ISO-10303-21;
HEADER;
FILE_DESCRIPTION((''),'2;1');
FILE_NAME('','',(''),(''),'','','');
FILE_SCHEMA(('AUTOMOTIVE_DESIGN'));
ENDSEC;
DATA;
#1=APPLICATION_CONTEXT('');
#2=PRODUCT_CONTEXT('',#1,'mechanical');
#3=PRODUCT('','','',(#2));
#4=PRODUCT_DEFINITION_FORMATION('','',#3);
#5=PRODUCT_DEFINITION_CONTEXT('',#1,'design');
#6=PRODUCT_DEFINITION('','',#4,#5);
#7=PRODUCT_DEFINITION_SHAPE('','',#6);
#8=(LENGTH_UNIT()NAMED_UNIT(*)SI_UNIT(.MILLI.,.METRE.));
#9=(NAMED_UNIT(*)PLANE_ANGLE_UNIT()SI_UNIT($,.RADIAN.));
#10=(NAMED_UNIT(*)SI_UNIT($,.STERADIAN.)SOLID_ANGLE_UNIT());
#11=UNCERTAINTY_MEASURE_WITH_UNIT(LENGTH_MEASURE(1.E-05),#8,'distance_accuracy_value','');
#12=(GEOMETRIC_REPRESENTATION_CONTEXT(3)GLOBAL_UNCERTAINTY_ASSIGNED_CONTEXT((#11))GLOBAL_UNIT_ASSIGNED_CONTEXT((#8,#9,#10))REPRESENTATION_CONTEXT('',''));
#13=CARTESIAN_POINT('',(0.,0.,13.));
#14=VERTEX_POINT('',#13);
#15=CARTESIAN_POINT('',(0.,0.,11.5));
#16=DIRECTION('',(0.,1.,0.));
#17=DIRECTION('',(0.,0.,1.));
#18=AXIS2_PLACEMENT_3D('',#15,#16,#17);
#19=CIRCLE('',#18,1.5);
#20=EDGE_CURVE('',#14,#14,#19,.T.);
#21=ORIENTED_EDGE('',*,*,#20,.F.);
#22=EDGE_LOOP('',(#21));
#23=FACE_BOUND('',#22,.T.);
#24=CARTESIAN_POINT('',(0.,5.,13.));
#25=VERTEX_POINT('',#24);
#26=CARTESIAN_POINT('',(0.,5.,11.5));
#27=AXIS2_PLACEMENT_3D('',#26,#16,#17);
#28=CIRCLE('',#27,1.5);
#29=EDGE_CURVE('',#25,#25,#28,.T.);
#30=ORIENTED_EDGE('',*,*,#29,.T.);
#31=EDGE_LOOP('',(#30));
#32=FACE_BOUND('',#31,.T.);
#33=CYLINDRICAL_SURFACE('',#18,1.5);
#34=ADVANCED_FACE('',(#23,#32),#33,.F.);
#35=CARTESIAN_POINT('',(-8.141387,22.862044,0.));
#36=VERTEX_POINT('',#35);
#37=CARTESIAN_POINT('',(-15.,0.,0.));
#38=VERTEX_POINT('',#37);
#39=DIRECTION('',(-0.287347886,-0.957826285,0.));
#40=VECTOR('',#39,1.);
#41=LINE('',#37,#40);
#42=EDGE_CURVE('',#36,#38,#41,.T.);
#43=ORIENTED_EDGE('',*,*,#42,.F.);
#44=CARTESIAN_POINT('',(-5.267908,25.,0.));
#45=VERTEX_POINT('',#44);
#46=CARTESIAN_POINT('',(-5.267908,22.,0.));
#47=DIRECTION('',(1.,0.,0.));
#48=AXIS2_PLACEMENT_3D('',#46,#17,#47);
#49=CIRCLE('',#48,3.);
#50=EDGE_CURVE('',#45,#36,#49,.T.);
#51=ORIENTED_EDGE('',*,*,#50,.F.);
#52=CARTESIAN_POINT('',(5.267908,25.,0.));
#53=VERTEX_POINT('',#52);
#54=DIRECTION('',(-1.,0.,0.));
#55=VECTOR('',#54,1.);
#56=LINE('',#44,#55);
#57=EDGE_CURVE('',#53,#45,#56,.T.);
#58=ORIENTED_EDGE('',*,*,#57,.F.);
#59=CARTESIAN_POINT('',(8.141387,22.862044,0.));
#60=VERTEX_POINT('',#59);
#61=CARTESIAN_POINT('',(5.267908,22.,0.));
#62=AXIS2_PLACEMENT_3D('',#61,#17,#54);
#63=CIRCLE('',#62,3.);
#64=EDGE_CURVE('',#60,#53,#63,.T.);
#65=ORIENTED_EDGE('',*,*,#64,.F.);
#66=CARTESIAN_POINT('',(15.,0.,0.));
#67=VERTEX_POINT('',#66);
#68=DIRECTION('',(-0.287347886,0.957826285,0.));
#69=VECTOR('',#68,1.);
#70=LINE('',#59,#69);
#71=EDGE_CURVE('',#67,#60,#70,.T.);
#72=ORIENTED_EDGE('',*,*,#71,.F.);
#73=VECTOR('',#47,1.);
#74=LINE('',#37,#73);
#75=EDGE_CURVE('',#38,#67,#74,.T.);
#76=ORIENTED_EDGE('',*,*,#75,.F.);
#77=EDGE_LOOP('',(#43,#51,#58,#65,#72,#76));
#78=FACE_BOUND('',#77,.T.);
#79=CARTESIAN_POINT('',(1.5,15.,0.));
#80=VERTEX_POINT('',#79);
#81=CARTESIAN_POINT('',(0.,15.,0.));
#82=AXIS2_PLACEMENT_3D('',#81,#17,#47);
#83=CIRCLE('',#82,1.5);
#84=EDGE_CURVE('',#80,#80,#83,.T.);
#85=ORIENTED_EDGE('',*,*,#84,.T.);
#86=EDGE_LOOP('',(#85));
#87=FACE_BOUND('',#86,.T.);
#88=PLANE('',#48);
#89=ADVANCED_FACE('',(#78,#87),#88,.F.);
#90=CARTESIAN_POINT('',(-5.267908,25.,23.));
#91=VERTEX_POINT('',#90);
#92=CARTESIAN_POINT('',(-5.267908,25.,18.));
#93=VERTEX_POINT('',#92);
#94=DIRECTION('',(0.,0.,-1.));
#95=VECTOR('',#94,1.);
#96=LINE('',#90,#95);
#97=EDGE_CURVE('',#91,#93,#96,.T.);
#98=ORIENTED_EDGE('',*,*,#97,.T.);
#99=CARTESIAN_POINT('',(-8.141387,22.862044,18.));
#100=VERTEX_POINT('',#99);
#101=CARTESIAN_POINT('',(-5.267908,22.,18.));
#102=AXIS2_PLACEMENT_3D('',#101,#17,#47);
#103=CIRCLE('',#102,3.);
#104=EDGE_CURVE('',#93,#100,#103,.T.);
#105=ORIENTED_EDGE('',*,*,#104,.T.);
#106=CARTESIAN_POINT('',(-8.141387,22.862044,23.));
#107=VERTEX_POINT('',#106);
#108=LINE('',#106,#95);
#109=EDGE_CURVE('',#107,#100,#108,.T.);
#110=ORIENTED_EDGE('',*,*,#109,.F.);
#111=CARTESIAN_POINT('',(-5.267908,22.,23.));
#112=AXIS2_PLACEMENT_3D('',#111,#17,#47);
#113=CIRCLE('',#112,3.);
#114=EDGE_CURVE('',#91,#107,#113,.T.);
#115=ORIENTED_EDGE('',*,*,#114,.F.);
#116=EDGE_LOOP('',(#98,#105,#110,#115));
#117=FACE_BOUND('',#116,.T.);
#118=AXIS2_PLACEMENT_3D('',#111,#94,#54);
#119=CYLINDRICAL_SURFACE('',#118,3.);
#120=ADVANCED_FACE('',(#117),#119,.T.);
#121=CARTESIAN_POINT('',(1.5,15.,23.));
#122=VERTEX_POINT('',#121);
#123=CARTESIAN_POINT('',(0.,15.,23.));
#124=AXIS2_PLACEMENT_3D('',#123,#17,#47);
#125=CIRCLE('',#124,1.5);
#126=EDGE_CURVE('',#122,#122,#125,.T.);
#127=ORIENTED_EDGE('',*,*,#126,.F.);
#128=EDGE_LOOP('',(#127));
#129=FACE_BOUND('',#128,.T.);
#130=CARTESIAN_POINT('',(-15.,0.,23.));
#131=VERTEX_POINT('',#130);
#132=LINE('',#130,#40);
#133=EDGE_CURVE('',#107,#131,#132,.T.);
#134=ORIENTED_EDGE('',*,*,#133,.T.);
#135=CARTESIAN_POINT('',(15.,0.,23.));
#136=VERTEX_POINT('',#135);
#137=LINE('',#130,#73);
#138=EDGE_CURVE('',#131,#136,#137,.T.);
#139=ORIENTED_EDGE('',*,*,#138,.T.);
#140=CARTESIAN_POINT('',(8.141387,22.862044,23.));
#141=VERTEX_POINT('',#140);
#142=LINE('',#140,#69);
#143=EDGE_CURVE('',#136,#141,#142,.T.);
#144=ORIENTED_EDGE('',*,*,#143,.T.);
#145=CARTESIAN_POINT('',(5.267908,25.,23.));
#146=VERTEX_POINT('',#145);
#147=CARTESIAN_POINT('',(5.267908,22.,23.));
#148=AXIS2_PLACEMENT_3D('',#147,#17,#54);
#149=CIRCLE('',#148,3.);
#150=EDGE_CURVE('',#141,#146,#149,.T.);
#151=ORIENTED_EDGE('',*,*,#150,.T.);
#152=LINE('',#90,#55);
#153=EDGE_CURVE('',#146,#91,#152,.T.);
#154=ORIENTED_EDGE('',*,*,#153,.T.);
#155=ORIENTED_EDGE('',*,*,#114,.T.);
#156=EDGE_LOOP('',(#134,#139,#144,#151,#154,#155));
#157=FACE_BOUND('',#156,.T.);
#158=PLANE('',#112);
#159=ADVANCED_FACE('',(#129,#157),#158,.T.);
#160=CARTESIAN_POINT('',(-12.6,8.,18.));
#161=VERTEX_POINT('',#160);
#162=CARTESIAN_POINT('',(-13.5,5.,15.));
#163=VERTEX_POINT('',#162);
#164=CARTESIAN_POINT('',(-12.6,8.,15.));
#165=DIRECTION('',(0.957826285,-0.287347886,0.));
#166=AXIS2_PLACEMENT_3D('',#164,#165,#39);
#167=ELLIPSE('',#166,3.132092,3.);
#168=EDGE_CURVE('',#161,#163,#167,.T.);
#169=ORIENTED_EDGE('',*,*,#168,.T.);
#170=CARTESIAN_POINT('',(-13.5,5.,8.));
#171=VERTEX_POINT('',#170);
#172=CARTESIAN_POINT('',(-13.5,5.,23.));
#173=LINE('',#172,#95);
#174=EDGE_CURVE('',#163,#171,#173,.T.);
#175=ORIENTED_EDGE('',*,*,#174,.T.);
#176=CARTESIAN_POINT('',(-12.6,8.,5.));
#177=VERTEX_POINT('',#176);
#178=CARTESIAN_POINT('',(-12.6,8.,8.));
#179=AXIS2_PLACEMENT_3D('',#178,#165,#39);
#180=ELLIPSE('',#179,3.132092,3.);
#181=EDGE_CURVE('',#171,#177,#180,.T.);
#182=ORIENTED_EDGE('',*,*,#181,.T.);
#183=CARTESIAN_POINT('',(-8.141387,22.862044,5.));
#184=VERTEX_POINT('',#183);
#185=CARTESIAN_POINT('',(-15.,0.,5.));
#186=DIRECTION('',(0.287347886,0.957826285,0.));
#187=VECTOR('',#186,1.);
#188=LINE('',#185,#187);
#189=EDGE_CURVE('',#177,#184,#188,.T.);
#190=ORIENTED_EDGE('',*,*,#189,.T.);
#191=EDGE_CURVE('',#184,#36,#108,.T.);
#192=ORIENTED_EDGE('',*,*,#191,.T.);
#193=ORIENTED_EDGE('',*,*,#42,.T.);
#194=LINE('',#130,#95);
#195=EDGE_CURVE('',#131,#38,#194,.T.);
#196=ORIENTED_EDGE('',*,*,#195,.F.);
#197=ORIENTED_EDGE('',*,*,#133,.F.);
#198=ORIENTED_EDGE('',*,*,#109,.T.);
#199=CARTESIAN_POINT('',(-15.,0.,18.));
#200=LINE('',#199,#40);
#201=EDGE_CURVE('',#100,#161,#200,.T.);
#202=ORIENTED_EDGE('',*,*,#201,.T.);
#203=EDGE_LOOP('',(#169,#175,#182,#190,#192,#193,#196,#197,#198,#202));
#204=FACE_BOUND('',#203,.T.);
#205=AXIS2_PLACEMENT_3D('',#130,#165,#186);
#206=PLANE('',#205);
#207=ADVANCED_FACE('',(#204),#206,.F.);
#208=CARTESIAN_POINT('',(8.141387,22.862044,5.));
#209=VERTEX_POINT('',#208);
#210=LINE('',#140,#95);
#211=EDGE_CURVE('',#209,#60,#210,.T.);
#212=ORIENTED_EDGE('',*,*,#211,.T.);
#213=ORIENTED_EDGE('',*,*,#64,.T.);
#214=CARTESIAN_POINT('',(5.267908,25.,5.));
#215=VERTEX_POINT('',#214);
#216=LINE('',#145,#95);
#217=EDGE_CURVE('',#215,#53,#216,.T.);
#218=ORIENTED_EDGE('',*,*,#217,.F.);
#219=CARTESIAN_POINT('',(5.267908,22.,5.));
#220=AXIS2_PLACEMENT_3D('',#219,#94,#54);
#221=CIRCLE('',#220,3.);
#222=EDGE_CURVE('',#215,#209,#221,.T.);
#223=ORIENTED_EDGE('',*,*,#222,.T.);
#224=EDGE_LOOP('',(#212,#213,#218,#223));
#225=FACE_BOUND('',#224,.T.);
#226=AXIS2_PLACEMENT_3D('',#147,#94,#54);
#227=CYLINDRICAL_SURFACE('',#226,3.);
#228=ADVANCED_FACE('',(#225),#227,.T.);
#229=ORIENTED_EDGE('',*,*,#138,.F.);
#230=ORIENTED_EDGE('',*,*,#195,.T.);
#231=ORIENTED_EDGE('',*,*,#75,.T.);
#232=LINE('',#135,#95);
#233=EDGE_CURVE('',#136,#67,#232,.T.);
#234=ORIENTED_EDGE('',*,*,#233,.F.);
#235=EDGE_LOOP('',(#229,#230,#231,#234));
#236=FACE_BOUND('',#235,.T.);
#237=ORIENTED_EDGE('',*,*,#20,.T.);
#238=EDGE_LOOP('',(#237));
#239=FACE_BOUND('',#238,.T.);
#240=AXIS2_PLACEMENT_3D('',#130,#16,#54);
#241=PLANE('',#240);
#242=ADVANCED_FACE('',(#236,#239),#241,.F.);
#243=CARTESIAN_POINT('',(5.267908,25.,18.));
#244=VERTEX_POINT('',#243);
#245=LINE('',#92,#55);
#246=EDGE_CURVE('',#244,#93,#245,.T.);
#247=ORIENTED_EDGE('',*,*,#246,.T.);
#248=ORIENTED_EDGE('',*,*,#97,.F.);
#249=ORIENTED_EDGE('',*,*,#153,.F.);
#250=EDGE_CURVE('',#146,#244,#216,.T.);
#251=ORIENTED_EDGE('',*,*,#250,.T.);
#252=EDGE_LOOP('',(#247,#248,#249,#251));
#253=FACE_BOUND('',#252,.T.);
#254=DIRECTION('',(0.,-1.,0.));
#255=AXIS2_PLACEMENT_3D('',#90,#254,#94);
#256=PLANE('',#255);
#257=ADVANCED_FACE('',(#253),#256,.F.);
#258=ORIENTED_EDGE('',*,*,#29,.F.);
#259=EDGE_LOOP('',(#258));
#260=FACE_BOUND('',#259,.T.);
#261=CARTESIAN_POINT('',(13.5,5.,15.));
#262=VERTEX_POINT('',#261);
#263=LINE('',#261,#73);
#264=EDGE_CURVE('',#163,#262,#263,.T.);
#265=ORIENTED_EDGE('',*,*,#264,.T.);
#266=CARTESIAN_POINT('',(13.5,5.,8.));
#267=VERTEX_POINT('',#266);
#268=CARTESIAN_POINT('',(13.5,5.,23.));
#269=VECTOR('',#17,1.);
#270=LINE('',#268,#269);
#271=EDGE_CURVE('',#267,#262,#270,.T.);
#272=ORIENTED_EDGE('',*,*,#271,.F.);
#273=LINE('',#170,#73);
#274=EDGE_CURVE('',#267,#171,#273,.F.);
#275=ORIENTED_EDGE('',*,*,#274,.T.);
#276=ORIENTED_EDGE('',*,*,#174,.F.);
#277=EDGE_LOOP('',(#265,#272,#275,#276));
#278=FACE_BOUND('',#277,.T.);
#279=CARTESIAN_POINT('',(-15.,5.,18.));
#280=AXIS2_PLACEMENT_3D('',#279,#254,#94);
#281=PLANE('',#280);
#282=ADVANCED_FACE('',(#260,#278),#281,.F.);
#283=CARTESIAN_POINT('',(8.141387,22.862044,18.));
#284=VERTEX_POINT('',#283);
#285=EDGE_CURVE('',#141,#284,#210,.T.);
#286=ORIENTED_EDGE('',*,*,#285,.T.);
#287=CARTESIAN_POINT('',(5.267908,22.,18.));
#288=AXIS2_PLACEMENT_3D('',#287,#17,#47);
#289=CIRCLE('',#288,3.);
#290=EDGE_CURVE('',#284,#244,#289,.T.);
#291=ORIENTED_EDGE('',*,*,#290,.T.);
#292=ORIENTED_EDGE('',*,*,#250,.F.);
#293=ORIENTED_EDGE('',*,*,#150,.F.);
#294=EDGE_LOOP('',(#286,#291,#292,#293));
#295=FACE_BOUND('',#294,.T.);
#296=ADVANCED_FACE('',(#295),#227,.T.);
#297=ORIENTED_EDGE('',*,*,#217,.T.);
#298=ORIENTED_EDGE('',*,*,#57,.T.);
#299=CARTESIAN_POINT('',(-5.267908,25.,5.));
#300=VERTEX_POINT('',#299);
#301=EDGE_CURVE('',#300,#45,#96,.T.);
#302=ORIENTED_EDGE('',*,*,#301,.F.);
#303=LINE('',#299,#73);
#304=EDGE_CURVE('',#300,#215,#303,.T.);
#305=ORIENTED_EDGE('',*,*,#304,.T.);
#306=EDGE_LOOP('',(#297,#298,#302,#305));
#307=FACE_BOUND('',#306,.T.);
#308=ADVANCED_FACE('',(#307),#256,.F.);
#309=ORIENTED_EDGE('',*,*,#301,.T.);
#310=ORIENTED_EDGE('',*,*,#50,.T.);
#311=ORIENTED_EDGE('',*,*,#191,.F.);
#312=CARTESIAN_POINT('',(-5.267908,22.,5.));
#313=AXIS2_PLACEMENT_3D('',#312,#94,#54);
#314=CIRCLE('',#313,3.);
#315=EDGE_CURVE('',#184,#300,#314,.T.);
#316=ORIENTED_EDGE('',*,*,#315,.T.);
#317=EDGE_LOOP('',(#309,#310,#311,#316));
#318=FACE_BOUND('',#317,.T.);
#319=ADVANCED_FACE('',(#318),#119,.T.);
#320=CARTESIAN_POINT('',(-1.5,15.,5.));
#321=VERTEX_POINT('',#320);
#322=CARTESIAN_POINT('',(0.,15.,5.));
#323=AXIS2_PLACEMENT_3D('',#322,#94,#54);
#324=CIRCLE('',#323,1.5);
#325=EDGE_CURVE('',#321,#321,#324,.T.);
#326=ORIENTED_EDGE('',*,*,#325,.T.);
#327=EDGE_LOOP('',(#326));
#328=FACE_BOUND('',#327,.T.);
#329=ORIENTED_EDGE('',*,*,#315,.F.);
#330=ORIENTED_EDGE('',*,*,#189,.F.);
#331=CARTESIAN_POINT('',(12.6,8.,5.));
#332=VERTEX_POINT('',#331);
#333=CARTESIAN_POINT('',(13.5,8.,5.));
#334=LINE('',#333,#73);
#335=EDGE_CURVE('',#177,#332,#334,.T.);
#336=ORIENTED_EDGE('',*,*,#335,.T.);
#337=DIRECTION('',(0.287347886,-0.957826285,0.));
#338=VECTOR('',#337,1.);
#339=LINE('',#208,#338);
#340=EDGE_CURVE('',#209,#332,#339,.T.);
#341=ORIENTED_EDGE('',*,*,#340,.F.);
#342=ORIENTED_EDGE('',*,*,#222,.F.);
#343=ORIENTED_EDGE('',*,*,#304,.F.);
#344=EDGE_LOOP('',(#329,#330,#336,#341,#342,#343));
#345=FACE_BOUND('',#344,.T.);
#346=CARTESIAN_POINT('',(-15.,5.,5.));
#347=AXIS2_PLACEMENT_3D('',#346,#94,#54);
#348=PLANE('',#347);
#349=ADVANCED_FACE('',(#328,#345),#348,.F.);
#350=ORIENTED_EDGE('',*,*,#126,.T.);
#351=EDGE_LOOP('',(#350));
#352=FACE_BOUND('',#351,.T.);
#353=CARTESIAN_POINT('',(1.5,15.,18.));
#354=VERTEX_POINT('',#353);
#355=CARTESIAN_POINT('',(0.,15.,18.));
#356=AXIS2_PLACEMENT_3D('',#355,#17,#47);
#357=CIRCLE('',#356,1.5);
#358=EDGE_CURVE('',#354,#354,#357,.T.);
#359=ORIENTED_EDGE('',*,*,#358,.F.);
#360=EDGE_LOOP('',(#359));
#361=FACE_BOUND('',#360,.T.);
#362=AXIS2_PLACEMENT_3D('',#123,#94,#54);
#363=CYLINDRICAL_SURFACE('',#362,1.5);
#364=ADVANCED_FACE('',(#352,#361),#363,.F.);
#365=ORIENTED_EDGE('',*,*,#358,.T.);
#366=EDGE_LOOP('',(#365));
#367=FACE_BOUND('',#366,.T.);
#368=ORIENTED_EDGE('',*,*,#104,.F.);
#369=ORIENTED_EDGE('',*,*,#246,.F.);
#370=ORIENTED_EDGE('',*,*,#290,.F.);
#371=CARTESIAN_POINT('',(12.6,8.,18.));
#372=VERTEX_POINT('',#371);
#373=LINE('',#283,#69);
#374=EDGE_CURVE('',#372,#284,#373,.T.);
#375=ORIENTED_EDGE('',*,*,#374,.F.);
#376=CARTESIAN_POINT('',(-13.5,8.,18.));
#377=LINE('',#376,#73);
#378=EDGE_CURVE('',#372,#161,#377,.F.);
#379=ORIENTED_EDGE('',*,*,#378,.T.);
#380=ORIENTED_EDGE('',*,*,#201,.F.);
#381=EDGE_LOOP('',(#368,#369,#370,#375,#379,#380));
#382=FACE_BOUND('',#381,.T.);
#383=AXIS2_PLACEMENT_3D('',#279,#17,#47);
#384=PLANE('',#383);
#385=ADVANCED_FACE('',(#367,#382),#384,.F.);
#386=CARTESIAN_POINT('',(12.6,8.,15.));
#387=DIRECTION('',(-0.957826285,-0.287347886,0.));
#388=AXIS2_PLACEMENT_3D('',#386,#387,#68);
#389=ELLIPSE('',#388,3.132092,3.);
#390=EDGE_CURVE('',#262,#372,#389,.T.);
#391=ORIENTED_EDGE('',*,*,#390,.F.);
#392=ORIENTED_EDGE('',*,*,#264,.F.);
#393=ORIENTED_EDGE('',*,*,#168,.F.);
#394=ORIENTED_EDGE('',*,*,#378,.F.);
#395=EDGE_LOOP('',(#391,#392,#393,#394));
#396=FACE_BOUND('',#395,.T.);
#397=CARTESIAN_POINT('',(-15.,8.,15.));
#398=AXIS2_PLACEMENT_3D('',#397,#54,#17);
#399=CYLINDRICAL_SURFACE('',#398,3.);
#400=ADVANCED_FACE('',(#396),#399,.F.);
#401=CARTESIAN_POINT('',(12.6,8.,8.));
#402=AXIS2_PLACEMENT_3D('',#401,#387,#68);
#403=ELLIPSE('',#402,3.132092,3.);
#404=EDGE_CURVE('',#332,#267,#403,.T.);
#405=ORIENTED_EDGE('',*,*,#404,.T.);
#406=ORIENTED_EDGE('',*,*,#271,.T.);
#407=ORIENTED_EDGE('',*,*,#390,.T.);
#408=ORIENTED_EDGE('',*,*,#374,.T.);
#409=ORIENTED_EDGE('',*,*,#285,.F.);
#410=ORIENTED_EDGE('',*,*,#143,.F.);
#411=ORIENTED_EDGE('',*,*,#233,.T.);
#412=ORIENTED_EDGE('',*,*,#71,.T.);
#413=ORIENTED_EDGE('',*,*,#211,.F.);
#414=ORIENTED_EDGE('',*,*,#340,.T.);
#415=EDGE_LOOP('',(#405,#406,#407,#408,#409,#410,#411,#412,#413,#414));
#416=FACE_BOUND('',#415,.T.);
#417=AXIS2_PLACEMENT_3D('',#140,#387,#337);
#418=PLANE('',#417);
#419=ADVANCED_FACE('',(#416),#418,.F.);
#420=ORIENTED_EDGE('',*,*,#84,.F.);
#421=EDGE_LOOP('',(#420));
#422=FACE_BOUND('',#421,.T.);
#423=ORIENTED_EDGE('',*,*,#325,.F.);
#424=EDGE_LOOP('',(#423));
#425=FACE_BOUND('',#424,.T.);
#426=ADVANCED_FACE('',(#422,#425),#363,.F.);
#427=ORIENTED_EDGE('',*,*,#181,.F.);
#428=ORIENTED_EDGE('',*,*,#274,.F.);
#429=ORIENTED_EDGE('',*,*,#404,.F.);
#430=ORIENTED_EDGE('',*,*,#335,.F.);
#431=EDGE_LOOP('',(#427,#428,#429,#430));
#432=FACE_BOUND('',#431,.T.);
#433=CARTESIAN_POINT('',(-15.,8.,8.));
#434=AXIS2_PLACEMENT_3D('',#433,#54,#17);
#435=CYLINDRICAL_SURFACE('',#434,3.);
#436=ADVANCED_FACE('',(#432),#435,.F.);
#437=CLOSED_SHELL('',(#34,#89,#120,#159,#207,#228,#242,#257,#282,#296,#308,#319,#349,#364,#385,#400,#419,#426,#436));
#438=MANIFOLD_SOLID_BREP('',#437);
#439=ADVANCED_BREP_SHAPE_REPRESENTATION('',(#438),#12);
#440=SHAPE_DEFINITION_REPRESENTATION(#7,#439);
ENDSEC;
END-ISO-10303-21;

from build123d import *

# Parameters (mm, degrees)
SKETCH1_R               = 1.5
BOSS_EXTRUDE1_DEPTH     = 23
SKETCH2_W               = 13
SKETCH2_H               = 23.129290295
CUT_EXTRUDE1_DEPTH      = 16
CUT_EXTRUDE1_DEPTH_BACK = 16
FILLET1_R               = 3
SKETCH3_R               = 1.5
CUT_EXTRUDE2_DEPTH      = 6


with BuildPart() as part:
    # Sketch1 → Boss-Extrude1 (new body)
    with BuildSketch(Plane.XY):
        with BuildLine():
            Line((-15, 0), (15, 0))
            Line((15, 0), (8.141386903, 22.862043657))
            ThreePointArc((8.141386903, 22.862043657), (7.058699636, 24.406878785), (5.267908047, 25))
            Line((5.267908047, 25), (-5.267908047, 25))
            ThreePointArc((-5.267908047, 25), (-7.058699636, 24.406878785), (-8.141386903, 22.862043657))
            Line((-8.141386903, 22.862043657), (-15, 0))
        make_face()
        with Locations((0, 15)):
            Circle(SKETCH1_R, mode=Mode.SUBTRACT)
    extrude(amount=BOSS_EXTRUDE1_DEPTH)

    # Sketch2 → Cut-Extrude1 (cut, two sides)
    with BuildSketch(Plane(origin=(0, 0, 0), x_dir=(0, 0, -1), z_dir=(1, 0, 0))) as cut_extrude1_sk:
        with Locations((-11.5, 16.564645148)):
            Rectangle(SKETCH2_W, SKETCH2_H)
    extrude(amount=CUT_EXTRUDE1_DEPTH, mode=Mode.SUBTRACT)
    extrude(cut_extrude1_sk.sketch, amount=-CUT_EXTRUDE1_DEPTH_BACK, mode=Mode.SUBTRACT)

    # Fillet1
    fillet1_edges = [part.edges().sort_by_distance(p)[0] for p in [
        (0, 5, 5),
        (0, 5, 18),
    ]]
    fillet(fillet1_edges, radius=FILLET1_R)

    # Sketch3 → Cut-Extrude2 (cut, through all)
    with BuildSketch(Plane(origin=(0, 5, 0), x_dir=(1, 0, 0), z_dir=(0, 1, 0))):
        with Locations((0, -11.5)):
            Circle(SKETCH3_R)
    extrude(amount=-CUT_EXTRUDE2_DEPTH, mode=Mode.SUBTRACT)


solid = part.part
